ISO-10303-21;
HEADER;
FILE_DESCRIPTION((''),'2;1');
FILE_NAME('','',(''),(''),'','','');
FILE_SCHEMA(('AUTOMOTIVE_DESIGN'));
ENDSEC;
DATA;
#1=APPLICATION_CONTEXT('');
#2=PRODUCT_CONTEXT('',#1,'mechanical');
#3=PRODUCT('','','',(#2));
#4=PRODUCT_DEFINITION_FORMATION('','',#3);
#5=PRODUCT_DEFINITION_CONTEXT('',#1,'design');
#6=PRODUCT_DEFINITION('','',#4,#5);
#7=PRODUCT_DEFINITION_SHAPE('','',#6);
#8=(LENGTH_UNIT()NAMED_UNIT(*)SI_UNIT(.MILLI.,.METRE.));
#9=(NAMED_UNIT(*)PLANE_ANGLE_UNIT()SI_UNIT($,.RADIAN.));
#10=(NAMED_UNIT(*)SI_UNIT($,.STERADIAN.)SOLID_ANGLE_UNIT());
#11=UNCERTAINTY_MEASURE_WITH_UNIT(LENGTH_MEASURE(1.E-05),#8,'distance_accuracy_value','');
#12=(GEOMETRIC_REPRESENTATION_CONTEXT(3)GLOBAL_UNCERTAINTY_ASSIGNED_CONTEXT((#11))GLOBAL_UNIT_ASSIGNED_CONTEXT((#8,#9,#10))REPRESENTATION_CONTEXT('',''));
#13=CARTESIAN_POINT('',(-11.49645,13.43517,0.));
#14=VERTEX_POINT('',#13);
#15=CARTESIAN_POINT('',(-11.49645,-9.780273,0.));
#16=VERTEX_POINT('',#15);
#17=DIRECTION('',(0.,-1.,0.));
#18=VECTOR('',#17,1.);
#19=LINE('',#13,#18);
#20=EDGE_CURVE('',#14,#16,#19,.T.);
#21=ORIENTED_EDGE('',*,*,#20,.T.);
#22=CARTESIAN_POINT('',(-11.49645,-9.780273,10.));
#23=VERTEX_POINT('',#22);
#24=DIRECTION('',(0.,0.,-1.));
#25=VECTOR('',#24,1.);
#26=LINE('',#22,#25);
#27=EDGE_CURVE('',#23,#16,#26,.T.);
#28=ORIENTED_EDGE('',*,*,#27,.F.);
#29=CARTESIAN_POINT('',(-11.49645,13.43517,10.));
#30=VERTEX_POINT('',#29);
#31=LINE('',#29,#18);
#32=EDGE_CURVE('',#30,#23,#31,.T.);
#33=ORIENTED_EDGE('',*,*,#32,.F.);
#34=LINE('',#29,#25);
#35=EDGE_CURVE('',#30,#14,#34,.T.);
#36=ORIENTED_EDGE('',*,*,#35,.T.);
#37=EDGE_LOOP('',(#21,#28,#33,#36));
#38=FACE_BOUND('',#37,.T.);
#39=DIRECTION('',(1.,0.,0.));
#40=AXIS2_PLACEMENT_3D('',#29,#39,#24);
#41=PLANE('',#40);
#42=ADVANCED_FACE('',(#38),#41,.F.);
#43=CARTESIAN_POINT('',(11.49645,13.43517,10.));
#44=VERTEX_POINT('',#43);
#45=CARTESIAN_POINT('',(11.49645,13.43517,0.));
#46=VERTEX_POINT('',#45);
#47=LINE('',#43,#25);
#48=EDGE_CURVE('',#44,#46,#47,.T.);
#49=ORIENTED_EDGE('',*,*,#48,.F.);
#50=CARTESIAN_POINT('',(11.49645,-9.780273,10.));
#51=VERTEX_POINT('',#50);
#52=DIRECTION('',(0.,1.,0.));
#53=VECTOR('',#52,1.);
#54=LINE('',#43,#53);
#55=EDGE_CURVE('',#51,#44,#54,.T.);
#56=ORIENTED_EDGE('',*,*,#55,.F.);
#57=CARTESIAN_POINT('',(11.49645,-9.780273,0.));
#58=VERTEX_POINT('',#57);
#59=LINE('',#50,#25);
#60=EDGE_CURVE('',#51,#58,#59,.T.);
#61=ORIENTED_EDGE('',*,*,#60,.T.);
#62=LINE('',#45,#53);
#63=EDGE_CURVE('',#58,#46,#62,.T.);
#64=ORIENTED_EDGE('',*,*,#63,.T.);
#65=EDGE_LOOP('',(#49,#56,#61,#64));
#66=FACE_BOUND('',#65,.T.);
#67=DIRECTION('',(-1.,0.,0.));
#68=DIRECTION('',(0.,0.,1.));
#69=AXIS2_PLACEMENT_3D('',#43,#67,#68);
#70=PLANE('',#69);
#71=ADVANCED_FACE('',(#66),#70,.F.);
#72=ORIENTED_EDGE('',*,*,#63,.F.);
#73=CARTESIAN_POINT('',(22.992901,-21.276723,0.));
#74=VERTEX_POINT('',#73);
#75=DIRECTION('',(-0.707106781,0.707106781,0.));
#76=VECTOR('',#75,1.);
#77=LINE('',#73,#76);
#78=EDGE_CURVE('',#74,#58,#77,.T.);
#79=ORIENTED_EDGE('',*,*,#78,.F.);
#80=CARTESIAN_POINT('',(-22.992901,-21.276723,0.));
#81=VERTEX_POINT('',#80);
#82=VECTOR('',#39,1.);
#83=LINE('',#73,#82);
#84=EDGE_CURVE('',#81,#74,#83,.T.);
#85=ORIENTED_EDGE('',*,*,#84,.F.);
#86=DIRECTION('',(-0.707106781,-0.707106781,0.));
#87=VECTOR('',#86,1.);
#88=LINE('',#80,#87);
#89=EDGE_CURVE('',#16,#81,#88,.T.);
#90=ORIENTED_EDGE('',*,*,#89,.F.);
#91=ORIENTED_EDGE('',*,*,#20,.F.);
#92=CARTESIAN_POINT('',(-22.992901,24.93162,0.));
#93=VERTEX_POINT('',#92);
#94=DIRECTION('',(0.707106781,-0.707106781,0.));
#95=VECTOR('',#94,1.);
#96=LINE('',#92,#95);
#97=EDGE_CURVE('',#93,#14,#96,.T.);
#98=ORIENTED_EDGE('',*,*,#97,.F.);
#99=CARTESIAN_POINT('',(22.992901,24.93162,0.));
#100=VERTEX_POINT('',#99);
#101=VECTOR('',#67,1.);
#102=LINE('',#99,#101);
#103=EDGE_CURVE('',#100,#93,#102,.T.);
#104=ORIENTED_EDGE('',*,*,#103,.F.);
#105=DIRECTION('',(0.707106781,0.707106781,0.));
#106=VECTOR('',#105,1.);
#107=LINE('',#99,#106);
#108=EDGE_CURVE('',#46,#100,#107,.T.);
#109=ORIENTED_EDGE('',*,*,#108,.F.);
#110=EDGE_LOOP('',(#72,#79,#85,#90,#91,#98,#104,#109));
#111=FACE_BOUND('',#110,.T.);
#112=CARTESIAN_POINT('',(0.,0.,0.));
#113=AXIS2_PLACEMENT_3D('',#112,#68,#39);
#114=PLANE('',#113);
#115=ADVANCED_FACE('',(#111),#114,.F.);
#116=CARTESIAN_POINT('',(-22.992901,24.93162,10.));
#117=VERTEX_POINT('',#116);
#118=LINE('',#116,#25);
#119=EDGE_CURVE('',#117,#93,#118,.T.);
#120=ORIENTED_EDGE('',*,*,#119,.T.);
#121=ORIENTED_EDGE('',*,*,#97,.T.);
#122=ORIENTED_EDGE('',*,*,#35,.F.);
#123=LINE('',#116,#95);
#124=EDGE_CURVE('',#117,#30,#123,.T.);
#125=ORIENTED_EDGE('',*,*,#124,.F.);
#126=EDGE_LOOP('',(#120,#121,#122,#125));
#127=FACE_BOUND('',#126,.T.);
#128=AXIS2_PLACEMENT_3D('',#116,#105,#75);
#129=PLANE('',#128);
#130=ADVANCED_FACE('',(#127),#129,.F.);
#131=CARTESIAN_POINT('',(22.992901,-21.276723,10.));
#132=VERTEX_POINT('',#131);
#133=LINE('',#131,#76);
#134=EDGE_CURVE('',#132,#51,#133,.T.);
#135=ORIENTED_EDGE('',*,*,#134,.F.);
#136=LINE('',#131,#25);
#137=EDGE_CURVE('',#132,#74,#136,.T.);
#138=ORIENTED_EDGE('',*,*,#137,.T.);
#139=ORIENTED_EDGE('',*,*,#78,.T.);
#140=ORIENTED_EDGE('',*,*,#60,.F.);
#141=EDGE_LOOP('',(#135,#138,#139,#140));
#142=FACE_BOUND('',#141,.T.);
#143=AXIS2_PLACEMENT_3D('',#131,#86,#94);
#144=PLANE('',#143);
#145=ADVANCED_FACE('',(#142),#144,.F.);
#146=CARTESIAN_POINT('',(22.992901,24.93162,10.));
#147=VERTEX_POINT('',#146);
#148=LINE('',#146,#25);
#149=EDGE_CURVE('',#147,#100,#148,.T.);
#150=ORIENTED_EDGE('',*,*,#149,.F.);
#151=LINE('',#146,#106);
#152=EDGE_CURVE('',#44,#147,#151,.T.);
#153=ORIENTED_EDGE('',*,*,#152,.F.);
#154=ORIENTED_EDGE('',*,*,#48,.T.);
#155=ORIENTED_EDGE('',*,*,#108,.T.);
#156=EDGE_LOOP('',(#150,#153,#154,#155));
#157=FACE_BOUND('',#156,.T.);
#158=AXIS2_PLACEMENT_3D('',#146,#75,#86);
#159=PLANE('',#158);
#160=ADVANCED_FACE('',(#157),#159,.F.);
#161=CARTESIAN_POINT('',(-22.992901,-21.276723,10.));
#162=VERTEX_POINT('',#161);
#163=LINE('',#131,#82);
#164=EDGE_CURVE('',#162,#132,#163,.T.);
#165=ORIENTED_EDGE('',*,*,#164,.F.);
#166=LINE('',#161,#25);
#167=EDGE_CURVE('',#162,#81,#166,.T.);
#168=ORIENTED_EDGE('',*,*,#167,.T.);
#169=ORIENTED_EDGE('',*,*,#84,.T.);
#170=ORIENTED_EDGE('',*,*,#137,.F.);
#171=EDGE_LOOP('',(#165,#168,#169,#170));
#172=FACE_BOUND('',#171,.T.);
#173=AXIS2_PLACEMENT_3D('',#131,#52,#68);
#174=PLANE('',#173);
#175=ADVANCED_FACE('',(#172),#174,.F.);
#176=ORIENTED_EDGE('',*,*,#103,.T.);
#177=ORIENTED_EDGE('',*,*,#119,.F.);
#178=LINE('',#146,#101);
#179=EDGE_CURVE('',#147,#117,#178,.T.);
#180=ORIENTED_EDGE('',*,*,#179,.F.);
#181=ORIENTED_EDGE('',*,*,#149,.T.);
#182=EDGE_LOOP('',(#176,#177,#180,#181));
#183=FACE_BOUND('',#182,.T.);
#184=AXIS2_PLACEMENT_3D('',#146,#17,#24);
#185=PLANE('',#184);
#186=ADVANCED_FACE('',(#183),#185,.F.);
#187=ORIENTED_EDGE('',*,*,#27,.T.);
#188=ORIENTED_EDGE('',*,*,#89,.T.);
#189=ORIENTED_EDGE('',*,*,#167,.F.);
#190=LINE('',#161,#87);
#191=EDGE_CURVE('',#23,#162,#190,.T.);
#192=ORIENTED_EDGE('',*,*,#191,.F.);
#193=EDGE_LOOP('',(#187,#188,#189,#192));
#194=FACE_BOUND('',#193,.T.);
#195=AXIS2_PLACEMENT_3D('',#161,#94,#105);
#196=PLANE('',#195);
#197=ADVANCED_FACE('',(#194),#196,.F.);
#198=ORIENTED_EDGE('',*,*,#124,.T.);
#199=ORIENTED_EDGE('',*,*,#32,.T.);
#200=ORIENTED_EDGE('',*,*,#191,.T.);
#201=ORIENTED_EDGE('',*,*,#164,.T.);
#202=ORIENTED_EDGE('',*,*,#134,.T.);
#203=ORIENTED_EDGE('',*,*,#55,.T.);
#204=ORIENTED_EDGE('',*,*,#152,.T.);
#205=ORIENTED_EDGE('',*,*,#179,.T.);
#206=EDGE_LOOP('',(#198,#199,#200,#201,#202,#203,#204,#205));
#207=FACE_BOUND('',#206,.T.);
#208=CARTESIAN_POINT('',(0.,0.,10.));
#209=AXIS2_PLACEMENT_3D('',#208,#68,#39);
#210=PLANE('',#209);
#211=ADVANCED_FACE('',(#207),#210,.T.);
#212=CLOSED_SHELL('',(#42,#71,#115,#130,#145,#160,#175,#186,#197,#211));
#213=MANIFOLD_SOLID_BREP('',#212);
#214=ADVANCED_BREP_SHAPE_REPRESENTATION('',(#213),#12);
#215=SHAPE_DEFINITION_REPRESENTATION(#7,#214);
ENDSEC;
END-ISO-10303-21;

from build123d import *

# Parameters (mm, degrees)
EXTRUDE_1_DEPTH = 10


with BuildPart() as part:
    # Эскиз1 → Бобышка-Вытянуть1 (new body)
    with BuildSketch(Plane.XY):
        Polygon((22.992900916, 24.931620314), (-22.992900916, 24.931620314), (-11.496450458, 13.435169856), (-11.496450458, -9.780272637), (-22.992900916, -21.276723096), (22.992900916, -21.276723096), (11.496450458, -9.780272637), (11.496450458, 13.435169856), align=None)
    extrude(amount=EXTRUDE_1_DEPTH)


solid = part.part
